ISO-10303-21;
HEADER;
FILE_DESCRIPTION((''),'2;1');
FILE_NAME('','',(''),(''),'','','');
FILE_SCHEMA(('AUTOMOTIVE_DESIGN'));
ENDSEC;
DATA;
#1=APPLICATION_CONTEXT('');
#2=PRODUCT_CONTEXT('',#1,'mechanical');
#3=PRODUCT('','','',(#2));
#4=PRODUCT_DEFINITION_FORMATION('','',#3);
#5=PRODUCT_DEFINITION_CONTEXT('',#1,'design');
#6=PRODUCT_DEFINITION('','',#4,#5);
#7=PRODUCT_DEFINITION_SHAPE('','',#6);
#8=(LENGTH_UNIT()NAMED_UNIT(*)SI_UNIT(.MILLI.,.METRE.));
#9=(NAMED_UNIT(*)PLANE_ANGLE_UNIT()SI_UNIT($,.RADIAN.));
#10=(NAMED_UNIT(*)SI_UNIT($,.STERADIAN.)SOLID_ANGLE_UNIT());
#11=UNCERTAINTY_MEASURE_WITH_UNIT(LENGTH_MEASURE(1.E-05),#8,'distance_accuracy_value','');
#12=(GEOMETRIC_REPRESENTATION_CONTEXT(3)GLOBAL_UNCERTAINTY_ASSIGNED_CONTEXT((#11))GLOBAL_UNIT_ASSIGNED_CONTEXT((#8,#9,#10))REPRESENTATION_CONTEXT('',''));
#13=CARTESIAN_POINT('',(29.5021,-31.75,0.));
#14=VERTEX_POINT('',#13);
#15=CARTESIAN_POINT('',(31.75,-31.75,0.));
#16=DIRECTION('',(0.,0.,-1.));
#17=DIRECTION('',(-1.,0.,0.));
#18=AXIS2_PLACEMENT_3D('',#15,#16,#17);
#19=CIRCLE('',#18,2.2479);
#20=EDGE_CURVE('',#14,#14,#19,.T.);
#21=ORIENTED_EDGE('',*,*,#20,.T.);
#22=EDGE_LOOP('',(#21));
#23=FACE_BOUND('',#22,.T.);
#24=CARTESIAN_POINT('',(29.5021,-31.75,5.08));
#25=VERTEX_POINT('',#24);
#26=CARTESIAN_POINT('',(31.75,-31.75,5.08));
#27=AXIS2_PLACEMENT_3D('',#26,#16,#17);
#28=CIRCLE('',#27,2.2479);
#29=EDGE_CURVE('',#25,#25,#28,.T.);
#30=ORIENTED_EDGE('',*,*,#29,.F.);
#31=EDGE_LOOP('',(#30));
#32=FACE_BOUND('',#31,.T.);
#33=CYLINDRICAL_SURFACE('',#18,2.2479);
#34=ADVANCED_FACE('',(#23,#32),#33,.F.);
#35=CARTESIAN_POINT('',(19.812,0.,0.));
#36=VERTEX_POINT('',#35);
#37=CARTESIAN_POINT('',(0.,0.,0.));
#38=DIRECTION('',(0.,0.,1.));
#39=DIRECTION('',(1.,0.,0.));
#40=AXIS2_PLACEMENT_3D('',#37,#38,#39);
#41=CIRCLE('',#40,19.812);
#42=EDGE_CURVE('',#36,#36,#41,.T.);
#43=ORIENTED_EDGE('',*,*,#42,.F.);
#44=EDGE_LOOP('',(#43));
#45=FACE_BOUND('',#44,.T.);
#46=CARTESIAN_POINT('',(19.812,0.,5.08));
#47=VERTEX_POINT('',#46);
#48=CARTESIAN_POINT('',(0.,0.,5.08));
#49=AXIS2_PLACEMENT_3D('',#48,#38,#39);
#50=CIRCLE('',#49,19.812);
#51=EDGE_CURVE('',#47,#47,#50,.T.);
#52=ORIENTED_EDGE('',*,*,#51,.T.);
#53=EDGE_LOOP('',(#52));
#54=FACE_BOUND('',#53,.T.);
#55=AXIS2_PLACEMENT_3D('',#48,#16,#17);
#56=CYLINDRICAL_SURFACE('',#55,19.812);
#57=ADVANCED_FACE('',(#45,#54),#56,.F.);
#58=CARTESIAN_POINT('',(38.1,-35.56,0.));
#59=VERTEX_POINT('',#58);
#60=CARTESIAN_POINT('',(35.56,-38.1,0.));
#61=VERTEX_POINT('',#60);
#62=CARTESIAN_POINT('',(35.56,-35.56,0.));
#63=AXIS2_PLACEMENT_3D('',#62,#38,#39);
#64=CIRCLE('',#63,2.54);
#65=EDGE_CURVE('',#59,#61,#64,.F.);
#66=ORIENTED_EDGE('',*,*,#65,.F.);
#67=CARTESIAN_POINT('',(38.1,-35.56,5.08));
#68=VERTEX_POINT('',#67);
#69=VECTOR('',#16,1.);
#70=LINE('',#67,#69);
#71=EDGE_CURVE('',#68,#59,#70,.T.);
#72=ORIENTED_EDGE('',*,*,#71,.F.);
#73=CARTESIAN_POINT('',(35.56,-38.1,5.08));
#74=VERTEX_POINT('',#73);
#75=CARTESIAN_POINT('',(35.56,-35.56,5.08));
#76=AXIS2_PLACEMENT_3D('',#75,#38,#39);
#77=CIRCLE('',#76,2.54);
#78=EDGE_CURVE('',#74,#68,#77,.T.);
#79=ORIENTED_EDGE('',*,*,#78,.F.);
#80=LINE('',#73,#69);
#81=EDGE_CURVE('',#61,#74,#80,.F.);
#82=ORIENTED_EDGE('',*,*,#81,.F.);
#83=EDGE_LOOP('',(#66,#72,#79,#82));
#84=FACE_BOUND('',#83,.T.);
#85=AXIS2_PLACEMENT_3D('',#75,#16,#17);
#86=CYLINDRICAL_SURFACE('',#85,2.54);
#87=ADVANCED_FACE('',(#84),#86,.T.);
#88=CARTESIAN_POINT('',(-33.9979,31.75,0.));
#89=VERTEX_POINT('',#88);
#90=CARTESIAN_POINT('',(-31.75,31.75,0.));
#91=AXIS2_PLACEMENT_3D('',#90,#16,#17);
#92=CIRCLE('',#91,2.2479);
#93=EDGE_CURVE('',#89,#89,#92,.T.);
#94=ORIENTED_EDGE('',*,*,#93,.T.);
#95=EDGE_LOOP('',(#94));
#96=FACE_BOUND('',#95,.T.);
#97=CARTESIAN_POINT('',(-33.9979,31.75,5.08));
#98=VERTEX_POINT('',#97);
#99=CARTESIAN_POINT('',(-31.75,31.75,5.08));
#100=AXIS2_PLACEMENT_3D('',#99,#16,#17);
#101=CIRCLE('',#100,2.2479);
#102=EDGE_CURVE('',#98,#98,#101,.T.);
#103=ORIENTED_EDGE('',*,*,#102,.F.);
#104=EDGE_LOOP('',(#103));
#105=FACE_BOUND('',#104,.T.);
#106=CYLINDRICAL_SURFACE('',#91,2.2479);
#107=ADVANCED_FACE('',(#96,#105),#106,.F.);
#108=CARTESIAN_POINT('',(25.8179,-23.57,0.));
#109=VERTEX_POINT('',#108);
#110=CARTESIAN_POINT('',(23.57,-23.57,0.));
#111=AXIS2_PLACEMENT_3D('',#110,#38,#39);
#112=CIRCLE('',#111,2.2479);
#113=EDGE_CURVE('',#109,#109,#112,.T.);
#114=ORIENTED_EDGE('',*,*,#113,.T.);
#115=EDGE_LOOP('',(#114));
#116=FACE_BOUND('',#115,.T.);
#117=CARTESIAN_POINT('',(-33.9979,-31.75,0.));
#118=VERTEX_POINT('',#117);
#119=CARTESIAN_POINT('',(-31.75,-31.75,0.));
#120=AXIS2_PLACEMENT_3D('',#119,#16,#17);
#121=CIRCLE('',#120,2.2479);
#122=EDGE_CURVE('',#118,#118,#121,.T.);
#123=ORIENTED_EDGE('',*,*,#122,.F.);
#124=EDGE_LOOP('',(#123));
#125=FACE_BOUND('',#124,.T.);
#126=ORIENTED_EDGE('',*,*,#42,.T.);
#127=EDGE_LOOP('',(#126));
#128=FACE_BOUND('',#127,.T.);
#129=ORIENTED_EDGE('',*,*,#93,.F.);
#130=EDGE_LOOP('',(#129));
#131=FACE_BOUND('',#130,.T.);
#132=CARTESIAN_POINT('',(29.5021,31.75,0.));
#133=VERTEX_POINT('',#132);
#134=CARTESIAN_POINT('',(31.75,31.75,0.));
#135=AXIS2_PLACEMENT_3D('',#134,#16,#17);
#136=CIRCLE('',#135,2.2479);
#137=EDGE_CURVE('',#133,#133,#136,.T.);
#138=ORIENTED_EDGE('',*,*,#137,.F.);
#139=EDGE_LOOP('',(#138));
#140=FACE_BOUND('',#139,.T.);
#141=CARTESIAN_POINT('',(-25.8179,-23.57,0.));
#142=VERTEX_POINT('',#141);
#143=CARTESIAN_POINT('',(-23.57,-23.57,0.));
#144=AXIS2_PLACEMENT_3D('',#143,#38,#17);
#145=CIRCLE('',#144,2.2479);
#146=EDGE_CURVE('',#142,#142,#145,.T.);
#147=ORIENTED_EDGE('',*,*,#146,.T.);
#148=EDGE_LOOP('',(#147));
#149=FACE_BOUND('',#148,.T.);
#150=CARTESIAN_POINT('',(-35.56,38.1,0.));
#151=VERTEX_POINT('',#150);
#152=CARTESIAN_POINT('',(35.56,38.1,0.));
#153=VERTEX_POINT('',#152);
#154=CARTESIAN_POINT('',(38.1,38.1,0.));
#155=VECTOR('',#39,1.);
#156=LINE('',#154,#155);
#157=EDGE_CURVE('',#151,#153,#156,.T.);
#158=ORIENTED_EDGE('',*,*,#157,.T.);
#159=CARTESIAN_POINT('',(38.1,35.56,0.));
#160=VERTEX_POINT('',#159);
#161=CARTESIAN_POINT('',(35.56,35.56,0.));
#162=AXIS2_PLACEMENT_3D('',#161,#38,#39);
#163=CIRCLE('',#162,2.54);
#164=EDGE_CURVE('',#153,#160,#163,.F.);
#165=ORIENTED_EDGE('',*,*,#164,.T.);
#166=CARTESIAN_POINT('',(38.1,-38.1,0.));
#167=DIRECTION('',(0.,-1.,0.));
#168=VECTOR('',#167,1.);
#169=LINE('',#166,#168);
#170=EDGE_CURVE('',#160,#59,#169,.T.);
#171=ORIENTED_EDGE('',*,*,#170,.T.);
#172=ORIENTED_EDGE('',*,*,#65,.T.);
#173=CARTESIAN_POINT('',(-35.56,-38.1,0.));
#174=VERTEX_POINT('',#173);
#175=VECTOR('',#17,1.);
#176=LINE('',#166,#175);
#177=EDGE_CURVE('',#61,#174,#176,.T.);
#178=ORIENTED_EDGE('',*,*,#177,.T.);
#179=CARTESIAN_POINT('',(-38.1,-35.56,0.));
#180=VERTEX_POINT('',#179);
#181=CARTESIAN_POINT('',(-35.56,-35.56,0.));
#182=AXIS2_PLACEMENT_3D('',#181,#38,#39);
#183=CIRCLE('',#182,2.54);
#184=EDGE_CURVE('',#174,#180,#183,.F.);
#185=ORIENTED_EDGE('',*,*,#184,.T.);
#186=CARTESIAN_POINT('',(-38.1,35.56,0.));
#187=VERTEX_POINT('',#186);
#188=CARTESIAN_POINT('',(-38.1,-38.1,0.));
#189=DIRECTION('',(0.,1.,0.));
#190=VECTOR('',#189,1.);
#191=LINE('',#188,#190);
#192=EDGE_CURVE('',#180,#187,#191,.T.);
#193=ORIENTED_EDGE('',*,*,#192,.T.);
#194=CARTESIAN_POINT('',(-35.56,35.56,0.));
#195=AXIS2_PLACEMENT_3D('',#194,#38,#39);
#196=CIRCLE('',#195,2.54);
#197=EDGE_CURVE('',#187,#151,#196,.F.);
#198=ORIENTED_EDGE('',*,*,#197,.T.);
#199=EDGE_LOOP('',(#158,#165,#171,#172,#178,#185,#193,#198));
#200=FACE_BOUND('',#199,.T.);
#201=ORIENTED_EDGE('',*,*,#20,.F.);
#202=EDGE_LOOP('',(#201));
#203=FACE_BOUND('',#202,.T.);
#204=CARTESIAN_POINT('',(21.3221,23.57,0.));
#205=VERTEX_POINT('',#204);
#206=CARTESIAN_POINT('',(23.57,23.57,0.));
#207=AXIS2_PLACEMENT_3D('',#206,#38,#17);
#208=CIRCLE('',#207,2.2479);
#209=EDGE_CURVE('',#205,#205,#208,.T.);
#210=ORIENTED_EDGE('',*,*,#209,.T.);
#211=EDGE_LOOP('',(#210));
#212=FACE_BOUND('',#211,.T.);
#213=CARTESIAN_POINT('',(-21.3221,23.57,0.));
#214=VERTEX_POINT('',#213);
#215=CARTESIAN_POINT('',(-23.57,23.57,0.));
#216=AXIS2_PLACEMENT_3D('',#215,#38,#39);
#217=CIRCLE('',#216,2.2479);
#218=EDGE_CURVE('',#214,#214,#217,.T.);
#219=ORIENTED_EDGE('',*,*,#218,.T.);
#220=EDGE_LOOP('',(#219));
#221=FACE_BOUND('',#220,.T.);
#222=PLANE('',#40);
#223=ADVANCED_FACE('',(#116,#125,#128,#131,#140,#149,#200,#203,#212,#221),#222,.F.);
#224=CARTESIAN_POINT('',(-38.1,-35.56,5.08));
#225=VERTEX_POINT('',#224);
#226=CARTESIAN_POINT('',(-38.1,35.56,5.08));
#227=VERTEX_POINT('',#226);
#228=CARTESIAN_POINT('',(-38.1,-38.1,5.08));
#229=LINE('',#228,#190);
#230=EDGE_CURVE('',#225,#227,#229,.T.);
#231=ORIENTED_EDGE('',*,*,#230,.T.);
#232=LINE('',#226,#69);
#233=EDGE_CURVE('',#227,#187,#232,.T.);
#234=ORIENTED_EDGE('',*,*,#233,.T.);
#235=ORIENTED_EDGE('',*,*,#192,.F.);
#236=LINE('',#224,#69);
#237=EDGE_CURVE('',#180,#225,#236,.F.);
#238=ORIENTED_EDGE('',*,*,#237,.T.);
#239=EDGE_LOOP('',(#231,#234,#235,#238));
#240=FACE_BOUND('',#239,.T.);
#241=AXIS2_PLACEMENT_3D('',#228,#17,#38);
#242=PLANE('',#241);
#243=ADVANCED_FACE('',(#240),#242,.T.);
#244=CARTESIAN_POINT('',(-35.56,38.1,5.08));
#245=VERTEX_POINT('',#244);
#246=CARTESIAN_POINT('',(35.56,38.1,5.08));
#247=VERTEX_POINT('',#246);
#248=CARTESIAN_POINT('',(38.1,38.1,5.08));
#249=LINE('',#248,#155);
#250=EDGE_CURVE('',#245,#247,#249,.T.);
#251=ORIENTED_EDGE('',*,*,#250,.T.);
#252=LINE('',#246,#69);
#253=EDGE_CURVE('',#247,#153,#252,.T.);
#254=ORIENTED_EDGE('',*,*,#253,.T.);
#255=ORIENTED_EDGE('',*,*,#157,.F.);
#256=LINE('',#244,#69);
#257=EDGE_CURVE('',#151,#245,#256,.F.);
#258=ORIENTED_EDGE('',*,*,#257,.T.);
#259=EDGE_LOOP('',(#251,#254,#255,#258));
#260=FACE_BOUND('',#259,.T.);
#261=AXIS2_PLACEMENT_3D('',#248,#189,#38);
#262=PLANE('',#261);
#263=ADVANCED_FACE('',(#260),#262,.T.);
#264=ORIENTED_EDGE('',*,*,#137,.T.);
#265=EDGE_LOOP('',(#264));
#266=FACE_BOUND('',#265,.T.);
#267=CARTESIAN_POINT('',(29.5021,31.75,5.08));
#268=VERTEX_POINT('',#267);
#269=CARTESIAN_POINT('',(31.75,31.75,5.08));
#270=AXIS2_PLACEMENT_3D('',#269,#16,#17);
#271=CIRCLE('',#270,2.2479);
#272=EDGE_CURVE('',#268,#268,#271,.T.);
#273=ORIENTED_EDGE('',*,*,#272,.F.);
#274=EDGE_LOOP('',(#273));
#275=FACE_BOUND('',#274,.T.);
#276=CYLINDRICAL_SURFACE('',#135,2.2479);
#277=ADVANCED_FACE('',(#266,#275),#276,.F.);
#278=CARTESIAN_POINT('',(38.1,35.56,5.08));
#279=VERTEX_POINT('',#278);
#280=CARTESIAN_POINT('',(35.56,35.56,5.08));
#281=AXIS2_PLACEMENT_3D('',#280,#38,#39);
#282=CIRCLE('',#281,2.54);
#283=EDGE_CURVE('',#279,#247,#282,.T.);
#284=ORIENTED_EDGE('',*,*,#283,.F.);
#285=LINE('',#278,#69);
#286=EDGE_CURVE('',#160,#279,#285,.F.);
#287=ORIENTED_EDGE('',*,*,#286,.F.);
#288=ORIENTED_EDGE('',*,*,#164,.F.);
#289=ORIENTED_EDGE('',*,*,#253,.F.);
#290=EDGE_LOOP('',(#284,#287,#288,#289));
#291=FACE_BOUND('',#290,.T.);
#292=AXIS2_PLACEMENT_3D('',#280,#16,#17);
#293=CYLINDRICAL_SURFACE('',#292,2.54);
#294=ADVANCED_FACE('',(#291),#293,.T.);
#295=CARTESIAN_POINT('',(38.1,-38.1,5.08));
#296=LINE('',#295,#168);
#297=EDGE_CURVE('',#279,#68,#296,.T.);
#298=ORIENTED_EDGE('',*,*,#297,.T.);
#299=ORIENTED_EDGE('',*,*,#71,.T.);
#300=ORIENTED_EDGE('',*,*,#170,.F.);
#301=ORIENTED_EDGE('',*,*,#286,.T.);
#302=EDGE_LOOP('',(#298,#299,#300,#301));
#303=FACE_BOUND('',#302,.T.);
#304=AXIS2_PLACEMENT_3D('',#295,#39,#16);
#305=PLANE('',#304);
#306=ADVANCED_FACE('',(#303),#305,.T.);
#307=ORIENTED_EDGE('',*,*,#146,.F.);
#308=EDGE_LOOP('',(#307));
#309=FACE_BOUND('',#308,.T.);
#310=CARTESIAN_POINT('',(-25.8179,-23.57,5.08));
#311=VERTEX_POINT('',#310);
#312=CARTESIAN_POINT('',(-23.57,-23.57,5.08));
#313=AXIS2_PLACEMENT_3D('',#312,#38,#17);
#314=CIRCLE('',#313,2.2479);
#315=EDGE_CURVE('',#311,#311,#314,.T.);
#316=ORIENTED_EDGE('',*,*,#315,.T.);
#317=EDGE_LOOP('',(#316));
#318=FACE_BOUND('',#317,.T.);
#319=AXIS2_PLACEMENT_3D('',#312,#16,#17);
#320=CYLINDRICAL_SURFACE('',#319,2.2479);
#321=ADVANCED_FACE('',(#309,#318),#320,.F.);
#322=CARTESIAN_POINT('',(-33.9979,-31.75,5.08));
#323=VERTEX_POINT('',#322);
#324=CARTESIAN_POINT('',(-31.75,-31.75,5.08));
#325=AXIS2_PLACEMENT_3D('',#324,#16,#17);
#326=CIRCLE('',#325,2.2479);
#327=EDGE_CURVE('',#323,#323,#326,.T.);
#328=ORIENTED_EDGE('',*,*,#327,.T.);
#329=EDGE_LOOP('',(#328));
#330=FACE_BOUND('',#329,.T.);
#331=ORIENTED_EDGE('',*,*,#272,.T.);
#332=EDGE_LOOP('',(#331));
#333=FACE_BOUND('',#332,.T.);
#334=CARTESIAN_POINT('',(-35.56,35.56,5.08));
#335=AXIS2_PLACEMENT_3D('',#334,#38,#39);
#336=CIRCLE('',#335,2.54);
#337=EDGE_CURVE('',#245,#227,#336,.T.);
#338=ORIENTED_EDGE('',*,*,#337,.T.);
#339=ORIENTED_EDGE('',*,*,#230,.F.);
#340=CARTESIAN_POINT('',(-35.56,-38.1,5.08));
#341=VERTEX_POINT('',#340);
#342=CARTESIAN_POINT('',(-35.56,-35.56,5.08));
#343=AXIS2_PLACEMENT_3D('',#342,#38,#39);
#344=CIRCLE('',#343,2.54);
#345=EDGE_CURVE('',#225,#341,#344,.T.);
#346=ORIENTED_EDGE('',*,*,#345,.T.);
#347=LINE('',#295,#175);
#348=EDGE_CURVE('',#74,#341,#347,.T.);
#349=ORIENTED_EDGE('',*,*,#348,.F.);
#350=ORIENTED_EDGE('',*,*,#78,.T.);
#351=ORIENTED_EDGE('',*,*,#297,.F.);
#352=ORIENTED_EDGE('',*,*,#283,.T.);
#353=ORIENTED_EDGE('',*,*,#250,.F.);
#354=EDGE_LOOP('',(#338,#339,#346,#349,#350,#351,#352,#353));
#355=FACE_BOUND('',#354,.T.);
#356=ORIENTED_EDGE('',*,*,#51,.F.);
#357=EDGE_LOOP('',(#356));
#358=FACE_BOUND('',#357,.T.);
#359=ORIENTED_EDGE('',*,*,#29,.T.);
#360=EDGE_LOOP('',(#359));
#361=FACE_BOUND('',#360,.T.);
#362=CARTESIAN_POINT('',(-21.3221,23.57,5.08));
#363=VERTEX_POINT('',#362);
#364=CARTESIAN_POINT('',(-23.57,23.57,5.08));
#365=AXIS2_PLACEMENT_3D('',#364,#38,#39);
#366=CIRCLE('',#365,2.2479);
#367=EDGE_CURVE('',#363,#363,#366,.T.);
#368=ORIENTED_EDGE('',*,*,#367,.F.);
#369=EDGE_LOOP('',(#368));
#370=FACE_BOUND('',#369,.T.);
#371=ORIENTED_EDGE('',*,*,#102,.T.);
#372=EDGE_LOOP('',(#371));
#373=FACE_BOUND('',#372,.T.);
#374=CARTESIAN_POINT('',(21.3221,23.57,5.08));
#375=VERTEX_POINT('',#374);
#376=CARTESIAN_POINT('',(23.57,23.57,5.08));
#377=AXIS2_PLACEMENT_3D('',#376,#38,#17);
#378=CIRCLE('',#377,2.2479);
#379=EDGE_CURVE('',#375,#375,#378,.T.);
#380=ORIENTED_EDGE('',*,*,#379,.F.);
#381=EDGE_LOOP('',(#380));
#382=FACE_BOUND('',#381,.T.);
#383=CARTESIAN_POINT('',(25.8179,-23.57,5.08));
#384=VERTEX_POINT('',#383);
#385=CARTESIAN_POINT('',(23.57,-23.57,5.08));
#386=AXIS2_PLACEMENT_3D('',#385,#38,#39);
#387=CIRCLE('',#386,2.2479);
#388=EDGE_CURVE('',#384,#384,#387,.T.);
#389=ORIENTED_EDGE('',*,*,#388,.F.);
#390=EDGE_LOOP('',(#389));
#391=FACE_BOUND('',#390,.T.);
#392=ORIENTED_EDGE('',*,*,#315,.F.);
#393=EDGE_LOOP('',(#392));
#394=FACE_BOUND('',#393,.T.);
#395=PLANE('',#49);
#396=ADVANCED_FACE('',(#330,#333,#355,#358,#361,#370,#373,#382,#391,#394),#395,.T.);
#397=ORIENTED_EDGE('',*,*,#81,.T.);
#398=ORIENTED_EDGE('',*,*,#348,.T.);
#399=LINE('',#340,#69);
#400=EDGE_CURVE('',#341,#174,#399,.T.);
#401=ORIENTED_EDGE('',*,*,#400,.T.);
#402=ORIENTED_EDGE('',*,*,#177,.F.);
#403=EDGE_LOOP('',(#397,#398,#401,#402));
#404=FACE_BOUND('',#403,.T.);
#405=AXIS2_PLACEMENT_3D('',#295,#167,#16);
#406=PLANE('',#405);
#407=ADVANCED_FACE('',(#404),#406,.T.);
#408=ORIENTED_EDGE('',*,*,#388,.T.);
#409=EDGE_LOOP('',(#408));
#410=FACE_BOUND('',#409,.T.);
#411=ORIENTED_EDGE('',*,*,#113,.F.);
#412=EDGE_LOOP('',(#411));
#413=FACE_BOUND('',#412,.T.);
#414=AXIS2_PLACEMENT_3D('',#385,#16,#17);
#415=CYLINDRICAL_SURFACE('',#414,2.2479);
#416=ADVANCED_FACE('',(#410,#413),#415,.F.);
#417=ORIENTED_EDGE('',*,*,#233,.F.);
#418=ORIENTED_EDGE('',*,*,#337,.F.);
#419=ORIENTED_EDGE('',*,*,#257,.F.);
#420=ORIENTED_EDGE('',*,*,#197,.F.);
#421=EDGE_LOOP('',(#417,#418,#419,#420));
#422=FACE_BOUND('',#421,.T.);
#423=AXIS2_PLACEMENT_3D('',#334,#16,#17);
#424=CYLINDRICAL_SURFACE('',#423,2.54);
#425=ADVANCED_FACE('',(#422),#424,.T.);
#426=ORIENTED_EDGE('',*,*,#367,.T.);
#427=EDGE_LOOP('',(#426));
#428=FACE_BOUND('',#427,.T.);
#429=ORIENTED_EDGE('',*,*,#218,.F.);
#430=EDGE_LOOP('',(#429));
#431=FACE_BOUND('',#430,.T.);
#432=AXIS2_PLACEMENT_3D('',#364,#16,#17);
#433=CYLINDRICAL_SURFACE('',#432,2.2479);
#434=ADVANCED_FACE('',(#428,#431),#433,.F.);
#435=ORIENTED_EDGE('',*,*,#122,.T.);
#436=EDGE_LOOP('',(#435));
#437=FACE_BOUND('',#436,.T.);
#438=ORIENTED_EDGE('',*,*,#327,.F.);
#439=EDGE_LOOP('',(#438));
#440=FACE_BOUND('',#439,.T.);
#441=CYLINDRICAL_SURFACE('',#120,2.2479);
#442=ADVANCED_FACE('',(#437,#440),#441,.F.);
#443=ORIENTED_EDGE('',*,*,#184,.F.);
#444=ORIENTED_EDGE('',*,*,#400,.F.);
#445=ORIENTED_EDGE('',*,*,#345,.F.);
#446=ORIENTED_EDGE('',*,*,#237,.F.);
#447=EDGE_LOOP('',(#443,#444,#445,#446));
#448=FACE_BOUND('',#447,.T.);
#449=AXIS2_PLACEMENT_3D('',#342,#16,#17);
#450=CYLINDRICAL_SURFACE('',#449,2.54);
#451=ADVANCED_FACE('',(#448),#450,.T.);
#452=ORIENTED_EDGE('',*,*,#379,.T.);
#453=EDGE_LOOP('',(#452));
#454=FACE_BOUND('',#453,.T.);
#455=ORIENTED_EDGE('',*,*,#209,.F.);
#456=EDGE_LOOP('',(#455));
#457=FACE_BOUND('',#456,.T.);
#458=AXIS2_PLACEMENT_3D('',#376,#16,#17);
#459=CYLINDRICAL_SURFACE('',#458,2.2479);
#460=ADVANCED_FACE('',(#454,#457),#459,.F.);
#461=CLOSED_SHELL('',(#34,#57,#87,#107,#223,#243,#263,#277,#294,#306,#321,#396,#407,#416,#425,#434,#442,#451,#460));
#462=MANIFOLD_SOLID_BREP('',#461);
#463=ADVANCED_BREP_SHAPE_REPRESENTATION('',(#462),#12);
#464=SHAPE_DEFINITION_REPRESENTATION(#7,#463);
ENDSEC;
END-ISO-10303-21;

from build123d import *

# Parameters (mm, degrees)
SKETCH1_W             = 61.48
SKETCH1_H             = 61.48
SKETCH1_R             = 2.2479
SKETCH1_R_2           = 19.812
BOSS_EXTRUDE1_DEPTH   = 5.08
FILLET1_R             = 2.54
BOSS_EXTRUDE2_DEPTH   = 5.08
SKETCH8_W             = 76.2
SKETCH8_H             = 76.2
SKETCH8_W_2           = 61.48
SKETCH8_H_2           = 61.48
BOSS_EXTRUDE3_DEPTH   = 5.08
F_8_CLEARANCE_HOLE1_D = 4.4958
FILLET2_R             = 2.54


with BuildPart() as part:
    # Sketch1 → Boss-Extrude1 (new body)
    with BuildSketch(Plane.XY):
        Rectangle(SKETCH1_W, SKETCH1_H)
        with Locations((-23.57, 23.57)):
            Circle(SKETCH1_R, mode=Mode.SUBTRACT)
        with Locations((-23.57, -23.57)):
            Circle(SKETCH1_R, mode=Mode.SUBTRACT)
        with Locations((23.57, -23.57)):
            Circle(SKETCH1_R, mode=Mode.SUBTRACT)
        Circle(SKETCH1_R_2, mode=Mode.SUBTRACT)
        with Locations((23.57, 23.57)):
            Circle(SKETCH1_R, mode=Mode.SUBTRACT)
    extrude(amount=BOSS_EXTRUDE1_DEPTH)

    # Fillet1
    fillet1_edges = [part.edges().sort_by_distance(p)[0] for p in [
        (-30.74, 30.74, 2.54),
        (30.74, 30.74, 2.54),
        (30.74, -30.74, 2.54),
        (-30.74, -30.74, 2.54),
    ]]
    fillet(fillet1_edges, radius=FILLET1_R)

    # Sketch7 → Boss-Extrude2 (add, through all)
    with BuildSketch(Plane(origin=(0, 0, 0), x_dir=(-1, 0, 0), z_dir=(0, 0, -1))):
        with BuildLine():
            Line((-27.259871939, 36.240128061), (-21.759743879, 30.74))
            Line((-21.759743879, 30.74), (-30.74, 21.759743879))
            Line((-30.74, 21.759743879), (-36.240128061, 27.259871939))
            ThreePointArc((-36.240128061, 27.259871939), (-36.240128061, 36.240128061), (-27.259871939, 36.240128061))
        make_face()
        with BuildLine():
            Line((30.74, 21.759743879), (36.240128061, 27.259871939))
            ThreePointArc((36.240128061, 27.259871939), (36.240128061, 36.240128061), (27.259871939, 36.240128061))
            Line((27.259871939, 36.240128061), (21.759743879, 30.74))
            Line((21.759743879, 30.74), (30.74, 21.759743879))
        make_face()
        with BuildLine():
            Line((27.259871939, -36.240128061), (21.759743879, -30.74))
            Line((21.759743879, -30.74), (30.74, -21.759743879))
            Line((30.74, -21.759743879), (36.240128061, -27.259871939))
            ThreePointArc((36.240128061, -27.259871939), (36.240128061, -36.240128061), (27.259871939, -36.240128061))
        make_face()
        with BuildLine():
            Line((-30.74, -21.759743879), (-36.240128061, -27.259871939))
            ThreePointArc((-36.240128061, -27.259871939), (-36.240128061, -36.240128061), (-27.259871939, -36.240128061))
            Line((-27.259871939, -36.240128061), (-21.759743879, -30.74))
            Line((-21.759743879, -30.74), (-30.74, -21.759743879))
        make_face()
    extrude(amount=-BOSS_EXTRUDE2_DEPTH)

    # Sketch8 → Boss-Extrude3 (add, through all)
    with BuildSketch(Plane(origin=(0, 0, 0), x_dir=(-1, 0, 0), z_dir=(0, 0, -1))):
        Rectangle(SKETCH8_W, SKETCH8_H)
        Rectangle(SKETCH8_W_2, SKETCH8_H_2, mode=Mode.SUBTRACT)
    extrude(amount=-BOSS_EXTRUDE3_DEPTH)

    # #8 Clearance Hole1 (through all)
    with Locations(Plane(origin=(0, 0, 0), x_dir=(-1, 0, 0), z_dir=(0, 0, -1))):
        with Locations((31.75, 31.75), (0, 0), (31.75, -31.75), (-31.75, -31.75), (-31.75, 31.75)):
            Hole(F_8_CLEARANCE_HOLE1_D / 2)

    # Fillet2
    fillet2_edges = [part.edges().sort_by_distance(p)[0] for p in [
        (-38.1, 38.1, 2.54),
        (-38.1, -38.1, 2.54),
        (38.1, -38.1, 2.54),
        (38.1, 38.1, 2.54),
    ]]
    fillet(fillet2_edges, radius=FILLET2_R)


solid = part.part
